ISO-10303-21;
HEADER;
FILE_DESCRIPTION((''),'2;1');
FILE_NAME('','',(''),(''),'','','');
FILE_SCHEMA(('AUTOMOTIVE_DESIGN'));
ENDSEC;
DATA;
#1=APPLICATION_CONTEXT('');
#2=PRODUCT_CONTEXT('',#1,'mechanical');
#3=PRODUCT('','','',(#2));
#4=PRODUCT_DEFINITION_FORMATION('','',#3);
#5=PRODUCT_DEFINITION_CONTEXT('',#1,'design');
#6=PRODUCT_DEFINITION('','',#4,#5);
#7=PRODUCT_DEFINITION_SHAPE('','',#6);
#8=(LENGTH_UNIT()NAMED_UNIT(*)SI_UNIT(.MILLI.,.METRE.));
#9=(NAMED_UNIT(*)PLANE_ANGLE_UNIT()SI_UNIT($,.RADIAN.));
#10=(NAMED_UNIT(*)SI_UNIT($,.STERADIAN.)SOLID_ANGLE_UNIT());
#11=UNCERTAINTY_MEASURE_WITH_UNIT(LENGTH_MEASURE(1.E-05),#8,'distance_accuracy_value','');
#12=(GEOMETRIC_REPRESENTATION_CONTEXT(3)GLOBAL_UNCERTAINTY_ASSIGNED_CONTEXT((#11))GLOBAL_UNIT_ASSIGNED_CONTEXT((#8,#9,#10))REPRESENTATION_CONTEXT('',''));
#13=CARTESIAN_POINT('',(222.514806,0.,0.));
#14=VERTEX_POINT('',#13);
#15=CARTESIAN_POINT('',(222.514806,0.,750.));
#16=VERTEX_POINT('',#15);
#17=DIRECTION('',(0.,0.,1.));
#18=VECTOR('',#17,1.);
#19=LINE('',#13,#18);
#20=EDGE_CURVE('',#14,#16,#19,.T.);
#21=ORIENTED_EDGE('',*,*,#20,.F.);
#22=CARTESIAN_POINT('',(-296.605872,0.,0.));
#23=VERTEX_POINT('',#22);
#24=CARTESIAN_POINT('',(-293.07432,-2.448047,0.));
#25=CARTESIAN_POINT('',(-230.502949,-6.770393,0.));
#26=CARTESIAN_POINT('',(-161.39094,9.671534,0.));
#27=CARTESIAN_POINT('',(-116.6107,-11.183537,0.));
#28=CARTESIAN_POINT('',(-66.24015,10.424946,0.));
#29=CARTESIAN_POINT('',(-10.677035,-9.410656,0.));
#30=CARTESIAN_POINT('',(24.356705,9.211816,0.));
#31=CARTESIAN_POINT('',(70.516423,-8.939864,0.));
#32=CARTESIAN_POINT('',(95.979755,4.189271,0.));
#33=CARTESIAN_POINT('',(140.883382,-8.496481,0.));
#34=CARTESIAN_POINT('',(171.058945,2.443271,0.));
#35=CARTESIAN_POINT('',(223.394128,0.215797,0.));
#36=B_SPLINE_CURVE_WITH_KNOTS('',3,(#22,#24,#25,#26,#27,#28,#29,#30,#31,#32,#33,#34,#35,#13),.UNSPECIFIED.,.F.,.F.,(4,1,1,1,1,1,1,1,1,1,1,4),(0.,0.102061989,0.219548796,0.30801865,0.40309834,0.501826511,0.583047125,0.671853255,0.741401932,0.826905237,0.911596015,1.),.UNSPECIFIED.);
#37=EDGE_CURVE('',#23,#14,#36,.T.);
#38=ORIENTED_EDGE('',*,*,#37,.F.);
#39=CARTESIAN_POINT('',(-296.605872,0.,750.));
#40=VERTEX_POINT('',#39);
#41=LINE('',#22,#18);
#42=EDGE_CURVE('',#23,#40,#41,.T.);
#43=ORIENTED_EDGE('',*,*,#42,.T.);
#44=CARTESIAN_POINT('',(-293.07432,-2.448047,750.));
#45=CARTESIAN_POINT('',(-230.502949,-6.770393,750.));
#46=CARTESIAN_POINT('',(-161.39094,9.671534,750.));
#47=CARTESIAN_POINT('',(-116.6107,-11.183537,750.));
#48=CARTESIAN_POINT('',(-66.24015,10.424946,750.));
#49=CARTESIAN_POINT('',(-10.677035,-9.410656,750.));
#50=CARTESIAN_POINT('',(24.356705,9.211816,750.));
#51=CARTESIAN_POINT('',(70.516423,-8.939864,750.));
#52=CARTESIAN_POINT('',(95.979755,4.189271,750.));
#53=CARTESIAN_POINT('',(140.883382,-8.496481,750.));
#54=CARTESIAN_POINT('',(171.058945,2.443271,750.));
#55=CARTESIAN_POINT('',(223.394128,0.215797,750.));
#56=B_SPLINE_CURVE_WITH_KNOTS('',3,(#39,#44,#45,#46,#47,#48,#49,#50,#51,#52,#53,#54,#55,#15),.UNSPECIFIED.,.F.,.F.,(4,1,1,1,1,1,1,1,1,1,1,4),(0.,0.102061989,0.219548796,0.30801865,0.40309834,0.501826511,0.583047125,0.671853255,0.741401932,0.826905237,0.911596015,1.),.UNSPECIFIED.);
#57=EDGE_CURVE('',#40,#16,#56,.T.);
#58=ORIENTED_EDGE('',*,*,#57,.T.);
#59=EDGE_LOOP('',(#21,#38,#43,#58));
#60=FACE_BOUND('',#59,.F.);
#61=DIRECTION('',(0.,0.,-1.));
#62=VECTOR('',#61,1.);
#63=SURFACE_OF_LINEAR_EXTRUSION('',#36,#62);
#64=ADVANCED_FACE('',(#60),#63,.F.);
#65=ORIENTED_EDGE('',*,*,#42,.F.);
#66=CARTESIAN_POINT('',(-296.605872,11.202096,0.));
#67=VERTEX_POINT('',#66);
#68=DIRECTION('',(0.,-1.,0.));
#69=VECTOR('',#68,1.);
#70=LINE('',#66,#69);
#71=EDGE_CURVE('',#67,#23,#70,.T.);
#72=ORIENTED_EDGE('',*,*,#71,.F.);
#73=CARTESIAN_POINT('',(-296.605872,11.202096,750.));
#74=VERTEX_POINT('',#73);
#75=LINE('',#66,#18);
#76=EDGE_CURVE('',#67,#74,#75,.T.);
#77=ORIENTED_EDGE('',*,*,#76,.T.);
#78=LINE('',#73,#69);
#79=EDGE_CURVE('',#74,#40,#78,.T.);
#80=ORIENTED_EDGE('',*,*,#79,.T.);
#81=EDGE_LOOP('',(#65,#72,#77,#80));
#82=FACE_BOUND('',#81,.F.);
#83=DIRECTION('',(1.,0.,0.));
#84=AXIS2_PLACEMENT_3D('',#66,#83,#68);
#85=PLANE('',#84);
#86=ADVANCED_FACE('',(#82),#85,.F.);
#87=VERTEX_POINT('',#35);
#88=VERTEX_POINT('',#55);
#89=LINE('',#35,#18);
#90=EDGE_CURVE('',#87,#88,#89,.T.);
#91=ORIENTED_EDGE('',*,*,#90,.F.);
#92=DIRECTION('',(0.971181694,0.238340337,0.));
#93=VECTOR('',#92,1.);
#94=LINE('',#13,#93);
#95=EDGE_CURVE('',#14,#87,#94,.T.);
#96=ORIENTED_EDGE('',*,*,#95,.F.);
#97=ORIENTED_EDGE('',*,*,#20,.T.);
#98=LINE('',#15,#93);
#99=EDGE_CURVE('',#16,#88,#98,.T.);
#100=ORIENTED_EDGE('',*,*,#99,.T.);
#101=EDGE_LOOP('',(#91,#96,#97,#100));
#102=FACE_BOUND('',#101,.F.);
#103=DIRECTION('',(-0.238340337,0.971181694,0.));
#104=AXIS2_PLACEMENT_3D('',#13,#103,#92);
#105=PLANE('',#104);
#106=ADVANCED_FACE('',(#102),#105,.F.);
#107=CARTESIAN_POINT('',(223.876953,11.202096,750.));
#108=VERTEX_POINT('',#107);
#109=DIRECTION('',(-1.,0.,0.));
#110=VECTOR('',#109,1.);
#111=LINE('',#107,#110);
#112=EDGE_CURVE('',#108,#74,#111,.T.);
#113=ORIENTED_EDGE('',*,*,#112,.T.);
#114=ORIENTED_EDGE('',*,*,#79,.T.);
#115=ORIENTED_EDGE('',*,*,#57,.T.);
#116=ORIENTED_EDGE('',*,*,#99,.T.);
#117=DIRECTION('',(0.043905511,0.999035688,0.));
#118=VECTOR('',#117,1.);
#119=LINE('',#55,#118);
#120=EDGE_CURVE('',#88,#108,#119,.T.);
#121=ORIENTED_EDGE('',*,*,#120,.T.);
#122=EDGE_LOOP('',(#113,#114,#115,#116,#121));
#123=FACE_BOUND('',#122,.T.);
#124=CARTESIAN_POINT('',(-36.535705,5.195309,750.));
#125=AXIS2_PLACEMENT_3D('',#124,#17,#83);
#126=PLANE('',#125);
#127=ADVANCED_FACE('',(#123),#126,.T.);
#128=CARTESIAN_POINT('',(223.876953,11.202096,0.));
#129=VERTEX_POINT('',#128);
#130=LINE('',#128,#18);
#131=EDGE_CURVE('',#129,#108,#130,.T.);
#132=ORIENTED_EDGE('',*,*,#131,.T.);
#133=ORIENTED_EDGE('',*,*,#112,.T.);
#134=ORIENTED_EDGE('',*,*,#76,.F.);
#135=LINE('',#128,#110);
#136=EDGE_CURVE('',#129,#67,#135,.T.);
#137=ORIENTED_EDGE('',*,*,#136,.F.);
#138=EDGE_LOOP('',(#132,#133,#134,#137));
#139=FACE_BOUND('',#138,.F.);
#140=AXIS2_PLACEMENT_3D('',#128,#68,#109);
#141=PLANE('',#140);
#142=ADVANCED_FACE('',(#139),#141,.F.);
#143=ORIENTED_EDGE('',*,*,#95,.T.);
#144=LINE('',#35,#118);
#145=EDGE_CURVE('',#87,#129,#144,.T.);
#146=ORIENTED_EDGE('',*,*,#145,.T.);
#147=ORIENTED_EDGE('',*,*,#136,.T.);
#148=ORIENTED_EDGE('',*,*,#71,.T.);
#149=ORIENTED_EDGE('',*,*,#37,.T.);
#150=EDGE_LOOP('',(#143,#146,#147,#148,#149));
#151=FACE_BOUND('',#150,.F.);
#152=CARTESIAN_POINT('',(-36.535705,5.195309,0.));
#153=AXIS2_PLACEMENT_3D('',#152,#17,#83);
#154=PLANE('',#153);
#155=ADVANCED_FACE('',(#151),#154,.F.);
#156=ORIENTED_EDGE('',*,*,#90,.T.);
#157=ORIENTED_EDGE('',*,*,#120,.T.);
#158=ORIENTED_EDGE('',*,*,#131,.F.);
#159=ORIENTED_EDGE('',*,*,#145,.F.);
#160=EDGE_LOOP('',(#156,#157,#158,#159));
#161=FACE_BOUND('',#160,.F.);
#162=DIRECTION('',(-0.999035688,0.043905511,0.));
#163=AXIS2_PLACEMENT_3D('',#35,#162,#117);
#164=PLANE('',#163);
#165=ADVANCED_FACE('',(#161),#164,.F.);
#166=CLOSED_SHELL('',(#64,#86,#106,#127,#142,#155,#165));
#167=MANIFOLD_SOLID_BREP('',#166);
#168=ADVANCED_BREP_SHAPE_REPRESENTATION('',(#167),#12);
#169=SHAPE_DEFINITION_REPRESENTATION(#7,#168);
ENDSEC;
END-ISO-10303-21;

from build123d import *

# Parameters (mm, degrees)
F1_DEPTH = 750


with BuildPart() as f1:
    # F0 (on Top) → F1 (new body)
    with BuildSketch(Plane.XY):
        with BuildLine():
            Line((-296.6058715406, 11.2020960078), (-296.6058715406, 0))
            add(Edge.make_bspline(
                [(-296.6058715406, 0), (-293.0743200876, -2.4480466366), (-230.5029487135, -6.77039349), (-161.390940314, 9.6715340323), (-116.6107003098, -11.1835374228), (-66.2401499326, 10.4249457895), (-10.6770349671, -9.4106555124), (24.3567053935, 9.2118157113), (70.5164227763, -8.9398644189), (95.9797550769, 4.1892713626), (140.8833818354, -8.4964814307), (171.0589447788, 2.4432707826), (223.3941284594, 0.2157970316), (222.5148055161, 0)],
                knots=[0, 0, 0, 0, 0.1020619887, 0.2195487961, 0.3080186499, 0.4030983397, 0.5018265109, 0.5830471251, 0.6718532546, 0.7414019317, 0.8269052366, 0.9115960145, 1, 1, 1, 1], degree=3))
            Line((222.5148055161, 0), (223.3941284594, 0.2157970316))
            Line((223.3941284594, 0.2157970316), (223.876953125, 11.2020960078))
            Line((223.876953125, 11.2020960078), (-296.6058715406, 11.2020960078))
        make_face()
    extrude(amount=F1_DEPTH)


solid = f1.part
